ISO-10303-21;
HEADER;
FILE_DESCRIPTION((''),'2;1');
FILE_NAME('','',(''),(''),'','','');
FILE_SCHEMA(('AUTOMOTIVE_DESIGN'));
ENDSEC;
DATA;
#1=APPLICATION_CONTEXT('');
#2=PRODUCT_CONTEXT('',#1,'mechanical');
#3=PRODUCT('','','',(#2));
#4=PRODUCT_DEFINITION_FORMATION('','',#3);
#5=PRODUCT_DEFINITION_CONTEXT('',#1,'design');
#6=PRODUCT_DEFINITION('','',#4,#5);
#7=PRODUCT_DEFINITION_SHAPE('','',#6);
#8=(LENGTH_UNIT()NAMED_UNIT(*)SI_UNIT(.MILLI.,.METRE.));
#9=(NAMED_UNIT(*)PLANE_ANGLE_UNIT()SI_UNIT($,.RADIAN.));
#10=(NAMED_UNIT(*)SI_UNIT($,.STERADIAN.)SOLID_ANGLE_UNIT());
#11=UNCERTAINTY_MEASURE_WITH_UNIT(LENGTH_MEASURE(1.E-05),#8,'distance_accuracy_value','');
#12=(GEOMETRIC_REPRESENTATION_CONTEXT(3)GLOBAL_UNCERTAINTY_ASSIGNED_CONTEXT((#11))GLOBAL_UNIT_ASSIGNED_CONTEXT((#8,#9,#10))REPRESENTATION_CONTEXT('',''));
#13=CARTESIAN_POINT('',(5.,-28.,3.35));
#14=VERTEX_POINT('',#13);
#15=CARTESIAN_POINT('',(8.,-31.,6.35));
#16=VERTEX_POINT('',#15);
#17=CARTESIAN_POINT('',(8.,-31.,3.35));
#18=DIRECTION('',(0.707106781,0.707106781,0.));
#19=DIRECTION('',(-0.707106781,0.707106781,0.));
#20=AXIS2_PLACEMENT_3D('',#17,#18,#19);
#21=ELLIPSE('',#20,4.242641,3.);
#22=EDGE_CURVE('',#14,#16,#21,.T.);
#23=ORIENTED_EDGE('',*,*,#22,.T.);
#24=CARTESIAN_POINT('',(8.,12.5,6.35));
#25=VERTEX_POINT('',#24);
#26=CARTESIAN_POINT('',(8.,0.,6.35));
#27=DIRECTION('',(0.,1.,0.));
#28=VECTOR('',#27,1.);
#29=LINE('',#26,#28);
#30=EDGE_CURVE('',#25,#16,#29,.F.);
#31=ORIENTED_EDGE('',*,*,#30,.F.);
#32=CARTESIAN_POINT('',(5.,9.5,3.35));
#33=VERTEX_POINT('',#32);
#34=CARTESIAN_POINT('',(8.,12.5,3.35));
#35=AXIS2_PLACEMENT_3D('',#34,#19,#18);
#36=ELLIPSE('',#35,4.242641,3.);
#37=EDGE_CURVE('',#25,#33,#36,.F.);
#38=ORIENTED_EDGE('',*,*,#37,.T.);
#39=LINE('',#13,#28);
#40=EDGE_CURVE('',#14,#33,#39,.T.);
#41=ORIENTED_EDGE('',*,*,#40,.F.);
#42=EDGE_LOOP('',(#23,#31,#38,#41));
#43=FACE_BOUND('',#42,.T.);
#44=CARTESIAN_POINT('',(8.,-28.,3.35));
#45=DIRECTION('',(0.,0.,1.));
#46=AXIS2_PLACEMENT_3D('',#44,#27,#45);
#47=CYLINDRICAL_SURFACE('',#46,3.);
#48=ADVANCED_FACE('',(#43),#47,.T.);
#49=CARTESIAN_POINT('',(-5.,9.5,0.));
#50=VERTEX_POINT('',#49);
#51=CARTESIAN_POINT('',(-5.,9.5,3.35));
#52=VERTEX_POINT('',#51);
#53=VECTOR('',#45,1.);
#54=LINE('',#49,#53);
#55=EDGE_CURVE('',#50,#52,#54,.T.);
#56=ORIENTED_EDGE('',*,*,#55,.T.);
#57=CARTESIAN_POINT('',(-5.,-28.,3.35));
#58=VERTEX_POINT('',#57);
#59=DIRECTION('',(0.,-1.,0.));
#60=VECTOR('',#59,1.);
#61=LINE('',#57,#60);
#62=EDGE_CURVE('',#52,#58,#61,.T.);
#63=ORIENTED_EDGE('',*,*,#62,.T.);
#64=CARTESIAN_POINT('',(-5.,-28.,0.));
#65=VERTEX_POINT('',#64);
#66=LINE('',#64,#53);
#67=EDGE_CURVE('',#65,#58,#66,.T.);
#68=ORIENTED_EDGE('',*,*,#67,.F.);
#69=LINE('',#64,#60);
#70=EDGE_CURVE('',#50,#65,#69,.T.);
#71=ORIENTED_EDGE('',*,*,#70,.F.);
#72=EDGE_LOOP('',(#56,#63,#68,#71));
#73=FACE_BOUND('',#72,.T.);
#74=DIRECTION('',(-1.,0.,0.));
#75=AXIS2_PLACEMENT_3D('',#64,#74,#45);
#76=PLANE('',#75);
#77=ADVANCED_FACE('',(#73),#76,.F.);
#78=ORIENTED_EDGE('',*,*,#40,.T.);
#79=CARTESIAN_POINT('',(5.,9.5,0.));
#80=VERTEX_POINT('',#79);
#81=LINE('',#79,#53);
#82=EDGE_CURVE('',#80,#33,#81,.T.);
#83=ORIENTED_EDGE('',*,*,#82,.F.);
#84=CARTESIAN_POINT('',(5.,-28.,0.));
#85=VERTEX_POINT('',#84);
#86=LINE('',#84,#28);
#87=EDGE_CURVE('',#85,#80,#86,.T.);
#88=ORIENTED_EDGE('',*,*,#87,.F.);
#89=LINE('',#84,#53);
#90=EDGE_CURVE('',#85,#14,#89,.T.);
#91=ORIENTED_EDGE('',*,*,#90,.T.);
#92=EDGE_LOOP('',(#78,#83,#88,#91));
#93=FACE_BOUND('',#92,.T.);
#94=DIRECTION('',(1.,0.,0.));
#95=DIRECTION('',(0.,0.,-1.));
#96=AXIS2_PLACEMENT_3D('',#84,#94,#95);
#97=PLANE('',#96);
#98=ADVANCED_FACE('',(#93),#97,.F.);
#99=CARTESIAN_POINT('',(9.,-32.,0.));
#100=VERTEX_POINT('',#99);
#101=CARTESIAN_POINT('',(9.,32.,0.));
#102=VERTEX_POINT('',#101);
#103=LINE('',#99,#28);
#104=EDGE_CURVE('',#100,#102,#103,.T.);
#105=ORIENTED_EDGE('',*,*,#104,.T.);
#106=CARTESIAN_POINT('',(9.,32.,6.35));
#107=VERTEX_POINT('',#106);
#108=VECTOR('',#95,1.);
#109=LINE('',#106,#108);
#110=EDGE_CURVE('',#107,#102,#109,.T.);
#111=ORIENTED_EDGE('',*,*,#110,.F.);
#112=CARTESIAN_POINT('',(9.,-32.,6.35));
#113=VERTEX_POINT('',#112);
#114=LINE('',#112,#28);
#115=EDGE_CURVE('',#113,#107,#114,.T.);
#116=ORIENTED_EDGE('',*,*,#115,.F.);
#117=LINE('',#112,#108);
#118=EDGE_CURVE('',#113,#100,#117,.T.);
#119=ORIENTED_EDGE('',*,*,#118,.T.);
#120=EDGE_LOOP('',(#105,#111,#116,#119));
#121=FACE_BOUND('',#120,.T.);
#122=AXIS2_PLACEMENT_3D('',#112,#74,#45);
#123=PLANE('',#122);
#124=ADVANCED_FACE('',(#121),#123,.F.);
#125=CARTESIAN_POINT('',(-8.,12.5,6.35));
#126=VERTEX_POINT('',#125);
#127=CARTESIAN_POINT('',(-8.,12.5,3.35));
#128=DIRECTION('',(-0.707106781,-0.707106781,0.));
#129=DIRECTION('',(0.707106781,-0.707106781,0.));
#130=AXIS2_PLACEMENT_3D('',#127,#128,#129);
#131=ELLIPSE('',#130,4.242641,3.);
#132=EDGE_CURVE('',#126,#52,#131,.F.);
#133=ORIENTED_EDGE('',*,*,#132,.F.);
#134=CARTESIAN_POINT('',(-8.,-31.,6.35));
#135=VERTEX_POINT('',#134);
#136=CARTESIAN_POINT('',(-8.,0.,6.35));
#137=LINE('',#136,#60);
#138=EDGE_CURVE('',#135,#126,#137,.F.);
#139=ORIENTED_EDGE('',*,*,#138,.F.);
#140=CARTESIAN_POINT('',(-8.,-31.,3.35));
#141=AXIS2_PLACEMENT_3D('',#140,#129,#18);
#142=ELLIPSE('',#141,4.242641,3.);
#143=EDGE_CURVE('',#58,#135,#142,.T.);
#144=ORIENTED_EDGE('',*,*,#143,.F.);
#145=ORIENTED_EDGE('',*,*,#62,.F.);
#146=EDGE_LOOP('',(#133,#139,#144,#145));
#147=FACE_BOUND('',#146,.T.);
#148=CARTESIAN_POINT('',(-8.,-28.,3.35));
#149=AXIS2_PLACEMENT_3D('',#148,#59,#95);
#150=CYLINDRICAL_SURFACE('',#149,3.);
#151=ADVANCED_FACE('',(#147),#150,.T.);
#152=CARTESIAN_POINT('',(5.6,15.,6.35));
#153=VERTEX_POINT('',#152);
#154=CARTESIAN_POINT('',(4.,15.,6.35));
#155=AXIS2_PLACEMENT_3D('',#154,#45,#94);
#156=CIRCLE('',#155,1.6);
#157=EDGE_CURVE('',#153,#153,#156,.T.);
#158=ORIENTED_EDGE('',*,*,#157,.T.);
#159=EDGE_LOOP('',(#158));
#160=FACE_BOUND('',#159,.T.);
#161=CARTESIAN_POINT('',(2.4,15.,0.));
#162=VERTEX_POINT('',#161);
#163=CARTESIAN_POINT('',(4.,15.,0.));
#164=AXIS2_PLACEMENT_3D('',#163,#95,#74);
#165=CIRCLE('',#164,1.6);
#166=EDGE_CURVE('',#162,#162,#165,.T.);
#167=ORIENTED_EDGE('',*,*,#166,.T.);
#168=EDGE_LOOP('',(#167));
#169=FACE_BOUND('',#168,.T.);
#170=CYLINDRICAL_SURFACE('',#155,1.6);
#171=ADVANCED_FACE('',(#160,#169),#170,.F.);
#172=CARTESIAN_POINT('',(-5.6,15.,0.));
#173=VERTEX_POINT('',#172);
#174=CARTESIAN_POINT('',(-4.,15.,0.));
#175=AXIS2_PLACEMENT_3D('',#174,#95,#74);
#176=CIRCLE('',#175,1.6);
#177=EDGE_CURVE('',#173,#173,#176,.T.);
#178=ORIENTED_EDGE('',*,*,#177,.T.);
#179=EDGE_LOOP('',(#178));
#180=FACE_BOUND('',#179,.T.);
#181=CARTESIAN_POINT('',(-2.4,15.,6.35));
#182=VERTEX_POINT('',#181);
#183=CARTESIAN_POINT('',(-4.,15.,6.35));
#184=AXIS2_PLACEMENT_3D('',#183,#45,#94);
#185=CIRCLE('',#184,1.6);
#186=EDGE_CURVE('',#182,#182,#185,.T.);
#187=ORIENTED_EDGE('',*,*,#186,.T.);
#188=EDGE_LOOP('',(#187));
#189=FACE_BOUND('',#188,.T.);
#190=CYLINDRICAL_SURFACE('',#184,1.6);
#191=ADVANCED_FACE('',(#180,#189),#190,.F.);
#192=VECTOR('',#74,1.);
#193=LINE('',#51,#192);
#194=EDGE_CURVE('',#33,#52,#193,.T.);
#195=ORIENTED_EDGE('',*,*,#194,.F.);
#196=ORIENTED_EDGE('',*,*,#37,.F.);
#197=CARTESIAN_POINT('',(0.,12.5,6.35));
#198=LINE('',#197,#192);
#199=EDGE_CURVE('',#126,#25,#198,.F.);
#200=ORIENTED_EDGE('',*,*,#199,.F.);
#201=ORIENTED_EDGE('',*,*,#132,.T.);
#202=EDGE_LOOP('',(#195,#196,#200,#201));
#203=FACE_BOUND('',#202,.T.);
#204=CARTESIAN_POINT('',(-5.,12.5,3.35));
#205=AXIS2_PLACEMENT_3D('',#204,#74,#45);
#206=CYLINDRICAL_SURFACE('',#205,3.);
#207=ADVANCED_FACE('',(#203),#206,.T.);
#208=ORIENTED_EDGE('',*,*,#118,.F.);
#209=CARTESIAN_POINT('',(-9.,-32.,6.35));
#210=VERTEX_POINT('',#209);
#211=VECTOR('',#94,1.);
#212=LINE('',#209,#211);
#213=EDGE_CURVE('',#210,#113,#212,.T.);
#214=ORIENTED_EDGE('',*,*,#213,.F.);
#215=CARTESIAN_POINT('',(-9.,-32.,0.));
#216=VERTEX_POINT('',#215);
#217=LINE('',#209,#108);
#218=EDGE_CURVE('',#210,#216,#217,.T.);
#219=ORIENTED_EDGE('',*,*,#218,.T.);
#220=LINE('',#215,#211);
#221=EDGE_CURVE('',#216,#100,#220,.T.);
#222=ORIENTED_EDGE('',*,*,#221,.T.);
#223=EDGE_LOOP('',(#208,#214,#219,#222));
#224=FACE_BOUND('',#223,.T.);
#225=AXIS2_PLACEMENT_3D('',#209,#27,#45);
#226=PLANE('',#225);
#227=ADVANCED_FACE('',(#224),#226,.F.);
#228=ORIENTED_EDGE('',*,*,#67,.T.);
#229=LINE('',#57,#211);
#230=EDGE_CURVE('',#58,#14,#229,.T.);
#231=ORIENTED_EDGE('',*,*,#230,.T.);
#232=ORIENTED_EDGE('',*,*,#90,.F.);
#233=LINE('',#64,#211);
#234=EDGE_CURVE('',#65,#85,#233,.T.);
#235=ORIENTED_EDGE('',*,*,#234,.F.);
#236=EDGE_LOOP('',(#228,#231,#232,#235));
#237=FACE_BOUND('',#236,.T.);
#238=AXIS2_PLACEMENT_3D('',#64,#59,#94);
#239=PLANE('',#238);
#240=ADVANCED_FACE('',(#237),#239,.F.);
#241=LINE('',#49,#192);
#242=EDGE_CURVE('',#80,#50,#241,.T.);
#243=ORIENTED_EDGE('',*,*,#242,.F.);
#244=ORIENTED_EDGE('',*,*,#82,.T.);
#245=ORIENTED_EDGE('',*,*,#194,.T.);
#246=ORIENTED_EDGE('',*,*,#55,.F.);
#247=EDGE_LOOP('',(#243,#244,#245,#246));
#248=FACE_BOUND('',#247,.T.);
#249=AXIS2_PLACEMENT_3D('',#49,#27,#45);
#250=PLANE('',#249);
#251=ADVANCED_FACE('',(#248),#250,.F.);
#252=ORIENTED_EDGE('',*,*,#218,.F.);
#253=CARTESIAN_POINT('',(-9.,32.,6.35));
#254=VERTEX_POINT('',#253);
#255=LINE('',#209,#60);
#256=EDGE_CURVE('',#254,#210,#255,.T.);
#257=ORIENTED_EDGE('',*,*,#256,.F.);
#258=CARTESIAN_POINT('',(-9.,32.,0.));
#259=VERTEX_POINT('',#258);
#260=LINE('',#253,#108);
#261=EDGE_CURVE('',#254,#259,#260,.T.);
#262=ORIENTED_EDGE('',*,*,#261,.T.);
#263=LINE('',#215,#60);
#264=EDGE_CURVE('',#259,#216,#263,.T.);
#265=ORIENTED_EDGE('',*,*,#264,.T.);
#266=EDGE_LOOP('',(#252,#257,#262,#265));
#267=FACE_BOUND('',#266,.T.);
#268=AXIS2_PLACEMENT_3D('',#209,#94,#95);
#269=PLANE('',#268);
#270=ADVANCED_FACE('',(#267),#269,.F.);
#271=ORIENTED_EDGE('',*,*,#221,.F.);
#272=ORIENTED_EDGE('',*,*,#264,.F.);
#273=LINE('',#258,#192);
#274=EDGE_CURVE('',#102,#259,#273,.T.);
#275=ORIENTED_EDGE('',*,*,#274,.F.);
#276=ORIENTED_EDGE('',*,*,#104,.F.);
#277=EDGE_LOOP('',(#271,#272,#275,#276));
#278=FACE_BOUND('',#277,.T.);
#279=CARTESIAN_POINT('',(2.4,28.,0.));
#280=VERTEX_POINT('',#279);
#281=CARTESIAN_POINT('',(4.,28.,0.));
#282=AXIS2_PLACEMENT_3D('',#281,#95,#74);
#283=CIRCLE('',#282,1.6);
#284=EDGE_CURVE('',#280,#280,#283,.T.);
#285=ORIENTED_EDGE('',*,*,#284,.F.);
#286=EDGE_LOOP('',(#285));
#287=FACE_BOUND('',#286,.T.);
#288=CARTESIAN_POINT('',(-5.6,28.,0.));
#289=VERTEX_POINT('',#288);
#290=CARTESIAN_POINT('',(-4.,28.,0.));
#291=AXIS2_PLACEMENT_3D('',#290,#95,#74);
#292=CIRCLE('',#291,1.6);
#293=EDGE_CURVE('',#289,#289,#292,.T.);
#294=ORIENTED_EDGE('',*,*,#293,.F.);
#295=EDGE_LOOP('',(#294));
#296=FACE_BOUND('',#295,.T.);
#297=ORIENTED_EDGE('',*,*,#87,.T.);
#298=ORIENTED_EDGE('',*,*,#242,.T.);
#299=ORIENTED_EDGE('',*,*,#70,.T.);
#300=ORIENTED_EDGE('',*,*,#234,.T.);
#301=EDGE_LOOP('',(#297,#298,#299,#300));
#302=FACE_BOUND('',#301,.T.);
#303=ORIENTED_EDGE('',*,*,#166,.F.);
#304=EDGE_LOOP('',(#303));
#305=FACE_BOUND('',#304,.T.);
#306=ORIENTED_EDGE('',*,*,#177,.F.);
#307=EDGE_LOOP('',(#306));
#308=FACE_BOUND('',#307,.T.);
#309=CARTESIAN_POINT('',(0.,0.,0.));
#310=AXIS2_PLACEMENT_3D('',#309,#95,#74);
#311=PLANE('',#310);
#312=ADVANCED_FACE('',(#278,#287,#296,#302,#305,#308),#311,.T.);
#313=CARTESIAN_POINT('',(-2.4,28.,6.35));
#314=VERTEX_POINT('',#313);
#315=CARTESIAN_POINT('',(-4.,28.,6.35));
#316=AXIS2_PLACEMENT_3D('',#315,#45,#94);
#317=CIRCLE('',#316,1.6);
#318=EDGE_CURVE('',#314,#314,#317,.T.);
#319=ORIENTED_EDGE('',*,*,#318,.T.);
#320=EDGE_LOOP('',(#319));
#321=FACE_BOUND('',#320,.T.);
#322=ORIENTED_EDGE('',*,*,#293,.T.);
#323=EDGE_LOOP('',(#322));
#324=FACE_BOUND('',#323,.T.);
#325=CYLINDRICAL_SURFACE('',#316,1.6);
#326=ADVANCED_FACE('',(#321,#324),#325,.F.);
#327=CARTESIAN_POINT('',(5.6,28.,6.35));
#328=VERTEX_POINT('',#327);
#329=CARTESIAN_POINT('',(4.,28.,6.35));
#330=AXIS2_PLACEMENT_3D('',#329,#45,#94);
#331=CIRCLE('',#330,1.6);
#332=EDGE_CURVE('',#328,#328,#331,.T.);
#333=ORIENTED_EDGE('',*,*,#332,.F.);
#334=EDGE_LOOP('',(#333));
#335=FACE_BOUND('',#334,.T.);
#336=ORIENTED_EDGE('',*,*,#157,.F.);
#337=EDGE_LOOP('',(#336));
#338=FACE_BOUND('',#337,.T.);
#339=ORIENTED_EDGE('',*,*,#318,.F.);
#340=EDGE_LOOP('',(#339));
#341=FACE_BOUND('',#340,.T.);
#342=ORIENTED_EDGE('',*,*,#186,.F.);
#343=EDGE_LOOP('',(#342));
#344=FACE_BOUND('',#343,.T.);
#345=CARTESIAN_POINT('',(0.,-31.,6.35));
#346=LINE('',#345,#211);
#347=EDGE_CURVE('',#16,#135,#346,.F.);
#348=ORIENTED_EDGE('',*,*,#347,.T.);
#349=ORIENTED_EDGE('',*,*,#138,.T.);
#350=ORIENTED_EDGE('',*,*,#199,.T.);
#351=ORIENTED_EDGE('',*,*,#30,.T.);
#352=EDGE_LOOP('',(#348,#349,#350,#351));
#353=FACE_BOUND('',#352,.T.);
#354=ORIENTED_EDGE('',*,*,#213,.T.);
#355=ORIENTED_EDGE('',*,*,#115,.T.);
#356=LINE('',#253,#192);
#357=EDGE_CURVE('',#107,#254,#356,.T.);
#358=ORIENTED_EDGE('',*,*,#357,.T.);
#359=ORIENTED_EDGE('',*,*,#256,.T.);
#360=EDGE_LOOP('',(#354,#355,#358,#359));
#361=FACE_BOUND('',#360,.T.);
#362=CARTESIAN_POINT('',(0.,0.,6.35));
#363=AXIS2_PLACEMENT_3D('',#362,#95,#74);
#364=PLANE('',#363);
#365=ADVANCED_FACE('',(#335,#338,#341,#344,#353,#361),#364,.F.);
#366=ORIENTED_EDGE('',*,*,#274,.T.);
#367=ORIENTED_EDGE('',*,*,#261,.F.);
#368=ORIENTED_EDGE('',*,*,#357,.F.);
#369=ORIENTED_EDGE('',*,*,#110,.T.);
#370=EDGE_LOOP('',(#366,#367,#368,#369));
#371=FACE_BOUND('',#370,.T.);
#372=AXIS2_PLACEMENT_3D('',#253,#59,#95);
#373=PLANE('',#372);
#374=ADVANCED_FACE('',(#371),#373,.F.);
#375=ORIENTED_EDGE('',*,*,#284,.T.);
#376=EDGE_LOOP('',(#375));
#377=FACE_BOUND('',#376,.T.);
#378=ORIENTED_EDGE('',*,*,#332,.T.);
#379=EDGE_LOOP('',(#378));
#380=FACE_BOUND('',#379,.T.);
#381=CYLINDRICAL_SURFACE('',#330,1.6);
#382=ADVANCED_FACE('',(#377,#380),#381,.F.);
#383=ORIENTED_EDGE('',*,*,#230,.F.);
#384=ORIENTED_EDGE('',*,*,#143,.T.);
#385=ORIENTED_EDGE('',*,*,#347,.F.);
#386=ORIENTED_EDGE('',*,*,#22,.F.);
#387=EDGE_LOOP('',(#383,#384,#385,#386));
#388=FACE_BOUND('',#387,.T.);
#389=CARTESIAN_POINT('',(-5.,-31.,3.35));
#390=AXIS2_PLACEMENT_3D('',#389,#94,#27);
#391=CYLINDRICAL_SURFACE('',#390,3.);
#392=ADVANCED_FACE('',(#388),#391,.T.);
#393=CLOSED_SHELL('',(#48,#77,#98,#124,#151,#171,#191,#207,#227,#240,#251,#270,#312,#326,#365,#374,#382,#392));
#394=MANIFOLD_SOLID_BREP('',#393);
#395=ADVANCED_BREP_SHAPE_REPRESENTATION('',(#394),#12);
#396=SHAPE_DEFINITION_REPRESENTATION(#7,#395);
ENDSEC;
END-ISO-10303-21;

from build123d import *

# Parameters (mm, degrees)
SKETCH1_W                = 18
SKETCH1_H                = 64
BOSS_EXTRUDE1_DEPTH      = 6.35
M3_CLEARANCE_HOLE1_D     = 3.2
M3_CLEARANCE_HOLE1_DEPTH = 7.5
M3_CLEARANCE_HOLE1_TIP   = 0.96137699
SKETCH4_W                = 10
SKETCH4_H                = 37.5
CUT_EXTRUDE1_DEPTH       = 7.35
FILLET1_R                = 3


with BuildPart() as part:
    # Sketch1 → Boss-Extrude1 (new body)
    with BuildSketch(Plane.XY):
        Rectangle(SKETCH1_W, SKETCH1_H)
    extrude(amount=BOSS_EXTRUDE1_DEPTH)

    # M3 Clearance Hole1
    with Locations(Plane(origin=(-4, 15, 6.35), x_dir=(1, 0, 0), z_dir=(0, 0, 1))):
        with Locations((0, 0), (0, 13), (8, 13), (8, 0)):
            Hole(M3_CLEARANCE_HOLE1_D / 2, depth=M3_CLEARANCE_HOLE1_DEPTH)
            with Locations((0, 0, -(M3_CLEARANCE_HOLE1_DEPTH + M3_CLEARANCE_HOLE1_TIP / 2))):  # 118° drill point
                Cone(0, M3_CLEARANCE_HOLE1_D / 2, M3_CLEARANCE_HOLE1_TIP, mode=Mode.SUBTRACT)

    # Sketch4 → Cut-Extrude1 (cut, through all)
    with BuildSketch(Plane.XY.offset(6.35)):
        with Locations((0, -9.25)):
            Rectangle(SKETCH4_W, SKETCH4_H)
    extrude(amount=-CUT_EXTRUDE1_DEPTH, mode=Mode.SUBTRACT)

    # Fillet1
    fillet1_edges = [part.edges().sort_by_distance(p)[0] for p in [
        (5, -9.25, 6.35),
        (0, 9.5, 6.35),
        (-5, -9.25, 6.35),
        (0, -28, 6.35),
    ]]
    fillet(fillet1_edges, radius=FILLET1_R)


solid = part.part
